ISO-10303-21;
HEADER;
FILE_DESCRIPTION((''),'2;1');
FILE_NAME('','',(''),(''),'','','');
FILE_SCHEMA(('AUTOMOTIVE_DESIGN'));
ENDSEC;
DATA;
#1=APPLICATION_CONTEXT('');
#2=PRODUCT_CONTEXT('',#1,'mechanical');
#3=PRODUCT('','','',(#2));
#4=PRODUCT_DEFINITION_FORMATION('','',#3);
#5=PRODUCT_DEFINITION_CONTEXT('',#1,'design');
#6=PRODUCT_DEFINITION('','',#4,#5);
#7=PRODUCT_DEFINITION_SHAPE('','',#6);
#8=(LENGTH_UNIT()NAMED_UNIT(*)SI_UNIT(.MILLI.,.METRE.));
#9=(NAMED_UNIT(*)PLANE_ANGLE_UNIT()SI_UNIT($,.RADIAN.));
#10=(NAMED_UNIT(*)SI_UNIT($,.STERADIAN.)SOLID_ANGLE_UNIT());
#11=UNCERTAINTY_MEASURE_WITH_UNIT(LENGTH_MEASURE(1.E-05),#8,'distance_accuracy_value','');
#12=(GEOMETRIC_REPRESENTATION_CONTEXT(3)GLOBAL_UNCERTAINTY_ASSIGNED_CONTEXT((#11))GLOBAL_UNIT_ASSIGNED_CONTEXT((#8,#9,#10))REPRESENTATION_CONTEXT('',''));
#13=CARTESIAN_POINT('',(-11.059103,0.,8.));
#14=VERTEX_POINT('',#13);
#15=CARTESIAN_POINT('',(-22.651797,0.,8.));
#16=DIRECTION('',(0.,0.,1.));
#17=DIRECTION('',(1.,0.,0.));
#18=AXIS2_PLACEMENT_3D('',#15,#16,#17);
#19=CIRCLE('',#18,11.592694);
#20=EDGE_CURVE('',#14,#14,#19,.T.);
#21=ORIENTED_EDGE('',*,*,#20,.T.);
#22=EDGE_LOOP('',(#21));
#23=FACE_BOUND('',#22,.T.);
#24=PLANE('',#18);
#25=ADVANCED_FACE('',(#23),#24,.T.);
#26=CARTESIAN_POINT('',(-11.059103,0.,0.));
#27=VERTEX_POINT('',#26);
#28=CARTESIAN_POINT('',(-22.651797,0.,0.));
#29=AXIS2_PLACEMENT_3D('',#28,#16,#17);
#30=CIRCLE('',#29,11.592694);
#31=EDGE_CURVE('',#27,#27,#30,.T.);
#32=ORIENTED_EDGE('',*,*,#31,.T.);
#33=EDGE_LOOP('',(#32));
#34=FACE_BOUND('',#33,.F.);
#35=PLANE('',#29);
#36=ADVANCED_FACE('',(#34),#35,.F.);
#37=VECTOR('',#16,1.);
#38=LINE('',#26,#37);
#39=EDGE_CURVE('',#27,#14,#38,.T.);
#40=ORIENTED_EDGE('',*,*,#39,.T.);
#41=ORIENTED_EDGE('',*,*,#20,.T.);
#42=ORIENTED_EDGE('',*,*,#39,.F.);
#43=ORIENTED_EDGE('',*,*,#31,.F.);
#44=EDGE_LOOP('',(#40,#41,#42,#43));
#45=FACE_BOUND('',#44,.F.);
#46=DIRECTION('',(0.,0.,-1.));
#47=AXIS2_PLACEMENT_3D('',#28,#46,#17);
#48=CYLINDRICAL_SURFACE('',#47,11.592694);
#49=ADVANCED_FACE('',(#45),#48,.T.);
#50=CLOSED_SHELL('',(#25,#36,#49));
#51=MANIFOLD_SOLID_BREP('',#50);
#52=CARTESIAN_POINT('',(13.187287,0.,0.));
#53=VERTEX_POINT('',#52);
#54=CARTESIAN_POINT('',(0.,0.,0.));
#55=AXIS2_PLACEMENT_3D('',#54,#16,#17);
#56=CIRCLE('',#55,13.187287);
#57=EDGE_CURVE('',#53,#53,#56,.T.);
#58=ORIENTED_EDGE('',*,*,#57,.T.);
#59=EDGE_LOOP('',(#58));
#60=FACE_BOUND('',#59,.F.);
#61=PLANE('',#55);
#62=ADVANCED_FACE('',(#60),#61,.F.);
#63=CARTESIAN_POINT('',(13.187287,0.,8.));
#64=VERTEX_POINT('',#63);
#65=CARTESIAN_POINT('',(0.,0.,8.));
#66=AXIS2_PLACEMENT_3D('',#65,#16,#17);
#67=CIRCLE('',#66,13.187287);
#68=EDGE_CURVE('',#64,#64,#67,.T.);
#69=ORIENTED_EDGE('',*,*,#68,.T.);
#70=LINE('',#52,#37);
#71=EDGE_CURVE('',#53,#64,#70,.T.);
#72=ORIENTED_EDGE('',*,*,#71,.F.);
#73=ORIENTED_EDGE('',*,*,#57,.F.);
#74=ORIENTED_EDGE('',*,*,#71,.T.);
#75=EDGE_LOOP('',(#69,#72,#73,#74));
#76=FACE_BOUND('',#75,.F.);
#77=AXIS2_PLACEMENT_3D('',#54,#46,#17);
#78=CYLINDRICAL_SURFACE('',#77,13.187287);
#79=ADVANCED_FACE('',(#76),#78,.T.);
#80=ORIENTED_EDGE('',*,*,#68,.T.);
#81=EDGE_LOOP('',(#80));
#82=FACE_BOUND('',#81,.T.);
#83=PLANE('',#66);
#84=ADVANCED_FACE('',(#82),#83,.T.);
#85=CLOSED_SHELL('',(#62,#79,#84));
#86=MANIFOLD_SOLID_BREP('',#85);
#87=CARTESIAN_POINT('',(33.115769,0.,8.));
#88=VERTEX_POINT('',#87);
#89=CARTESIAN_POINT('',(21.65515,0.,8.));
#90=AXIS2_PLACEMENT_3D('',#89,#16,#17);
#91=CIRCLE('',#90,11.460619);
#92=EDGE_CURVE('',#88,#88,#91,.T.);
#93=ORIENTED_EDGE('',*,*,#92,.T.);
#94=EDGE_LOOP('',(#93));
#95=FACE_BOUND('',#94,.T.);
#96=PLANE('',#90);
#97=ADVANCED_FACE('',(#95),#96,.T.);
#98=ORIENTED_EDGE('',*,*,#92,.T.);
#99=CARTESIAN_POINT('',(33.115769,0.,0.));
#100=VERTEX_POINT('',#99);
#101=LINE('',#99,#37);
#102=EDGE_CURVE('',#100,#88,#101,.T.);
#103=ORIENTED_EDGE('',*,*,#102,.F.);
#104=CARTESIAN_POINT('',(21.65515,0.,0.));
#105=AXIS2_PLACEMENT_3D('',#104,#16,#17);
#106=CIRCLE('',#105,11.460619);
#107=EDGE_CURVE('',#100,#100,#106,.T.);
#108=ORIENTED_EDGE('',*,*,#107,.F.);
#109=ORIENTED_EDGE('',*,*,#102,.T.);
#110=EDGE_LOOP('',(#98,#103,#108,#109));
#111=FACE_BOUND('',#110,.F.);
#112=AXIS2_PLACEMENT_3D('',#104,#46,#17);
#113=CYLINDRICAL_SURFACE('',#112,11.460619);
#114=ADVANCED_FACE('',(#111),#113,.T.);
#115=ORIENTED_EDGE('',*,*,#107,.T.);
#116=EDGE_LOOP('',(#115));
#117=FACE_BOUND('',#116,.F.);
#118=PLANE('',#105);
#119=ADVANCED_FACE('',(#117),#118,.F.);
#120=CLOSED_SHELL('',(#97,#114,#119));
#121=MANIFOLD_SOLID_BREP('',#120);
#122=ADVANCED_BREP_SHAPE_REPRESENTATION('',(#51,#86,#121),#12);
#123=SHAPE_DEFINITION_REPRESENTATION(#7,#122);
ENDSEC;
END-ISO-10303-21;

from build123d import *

# Parameters (mm, degrees)
F1_R     = 11.5926936957
F2_DEPTH = 8
F1_R_2   = 11.4606190987
F0_R     = 13.1872869675


with BuildPart() as f2:
    # F1 (on face) → F2 (new body)
    with BuildSketch(Plane.XY):
        with Locations((-22.6517971605, 0)):
            Circle(F1_R)
    extrude(amount=F2_DEPTH)


with BuildPart() as f2b:
    # F1 (on face) → F2, piece 2 (new body)
    with BuildSketch(Plane.XY):
        with Locations((21.6551497579, 0)):
            Circle(F1_R_2)
    extrude(amount=F2_DEPTH)


with BuildPart() as f2c:
    # F0 (on Top) → F2, piece 3 (new body)
    with BuildSketch(Plane.XY):
        Circle(F0_R)
    extrude(amount=F2_DEPTH)


solid = Compound([f2.part, f2b.part, f2c.part])
